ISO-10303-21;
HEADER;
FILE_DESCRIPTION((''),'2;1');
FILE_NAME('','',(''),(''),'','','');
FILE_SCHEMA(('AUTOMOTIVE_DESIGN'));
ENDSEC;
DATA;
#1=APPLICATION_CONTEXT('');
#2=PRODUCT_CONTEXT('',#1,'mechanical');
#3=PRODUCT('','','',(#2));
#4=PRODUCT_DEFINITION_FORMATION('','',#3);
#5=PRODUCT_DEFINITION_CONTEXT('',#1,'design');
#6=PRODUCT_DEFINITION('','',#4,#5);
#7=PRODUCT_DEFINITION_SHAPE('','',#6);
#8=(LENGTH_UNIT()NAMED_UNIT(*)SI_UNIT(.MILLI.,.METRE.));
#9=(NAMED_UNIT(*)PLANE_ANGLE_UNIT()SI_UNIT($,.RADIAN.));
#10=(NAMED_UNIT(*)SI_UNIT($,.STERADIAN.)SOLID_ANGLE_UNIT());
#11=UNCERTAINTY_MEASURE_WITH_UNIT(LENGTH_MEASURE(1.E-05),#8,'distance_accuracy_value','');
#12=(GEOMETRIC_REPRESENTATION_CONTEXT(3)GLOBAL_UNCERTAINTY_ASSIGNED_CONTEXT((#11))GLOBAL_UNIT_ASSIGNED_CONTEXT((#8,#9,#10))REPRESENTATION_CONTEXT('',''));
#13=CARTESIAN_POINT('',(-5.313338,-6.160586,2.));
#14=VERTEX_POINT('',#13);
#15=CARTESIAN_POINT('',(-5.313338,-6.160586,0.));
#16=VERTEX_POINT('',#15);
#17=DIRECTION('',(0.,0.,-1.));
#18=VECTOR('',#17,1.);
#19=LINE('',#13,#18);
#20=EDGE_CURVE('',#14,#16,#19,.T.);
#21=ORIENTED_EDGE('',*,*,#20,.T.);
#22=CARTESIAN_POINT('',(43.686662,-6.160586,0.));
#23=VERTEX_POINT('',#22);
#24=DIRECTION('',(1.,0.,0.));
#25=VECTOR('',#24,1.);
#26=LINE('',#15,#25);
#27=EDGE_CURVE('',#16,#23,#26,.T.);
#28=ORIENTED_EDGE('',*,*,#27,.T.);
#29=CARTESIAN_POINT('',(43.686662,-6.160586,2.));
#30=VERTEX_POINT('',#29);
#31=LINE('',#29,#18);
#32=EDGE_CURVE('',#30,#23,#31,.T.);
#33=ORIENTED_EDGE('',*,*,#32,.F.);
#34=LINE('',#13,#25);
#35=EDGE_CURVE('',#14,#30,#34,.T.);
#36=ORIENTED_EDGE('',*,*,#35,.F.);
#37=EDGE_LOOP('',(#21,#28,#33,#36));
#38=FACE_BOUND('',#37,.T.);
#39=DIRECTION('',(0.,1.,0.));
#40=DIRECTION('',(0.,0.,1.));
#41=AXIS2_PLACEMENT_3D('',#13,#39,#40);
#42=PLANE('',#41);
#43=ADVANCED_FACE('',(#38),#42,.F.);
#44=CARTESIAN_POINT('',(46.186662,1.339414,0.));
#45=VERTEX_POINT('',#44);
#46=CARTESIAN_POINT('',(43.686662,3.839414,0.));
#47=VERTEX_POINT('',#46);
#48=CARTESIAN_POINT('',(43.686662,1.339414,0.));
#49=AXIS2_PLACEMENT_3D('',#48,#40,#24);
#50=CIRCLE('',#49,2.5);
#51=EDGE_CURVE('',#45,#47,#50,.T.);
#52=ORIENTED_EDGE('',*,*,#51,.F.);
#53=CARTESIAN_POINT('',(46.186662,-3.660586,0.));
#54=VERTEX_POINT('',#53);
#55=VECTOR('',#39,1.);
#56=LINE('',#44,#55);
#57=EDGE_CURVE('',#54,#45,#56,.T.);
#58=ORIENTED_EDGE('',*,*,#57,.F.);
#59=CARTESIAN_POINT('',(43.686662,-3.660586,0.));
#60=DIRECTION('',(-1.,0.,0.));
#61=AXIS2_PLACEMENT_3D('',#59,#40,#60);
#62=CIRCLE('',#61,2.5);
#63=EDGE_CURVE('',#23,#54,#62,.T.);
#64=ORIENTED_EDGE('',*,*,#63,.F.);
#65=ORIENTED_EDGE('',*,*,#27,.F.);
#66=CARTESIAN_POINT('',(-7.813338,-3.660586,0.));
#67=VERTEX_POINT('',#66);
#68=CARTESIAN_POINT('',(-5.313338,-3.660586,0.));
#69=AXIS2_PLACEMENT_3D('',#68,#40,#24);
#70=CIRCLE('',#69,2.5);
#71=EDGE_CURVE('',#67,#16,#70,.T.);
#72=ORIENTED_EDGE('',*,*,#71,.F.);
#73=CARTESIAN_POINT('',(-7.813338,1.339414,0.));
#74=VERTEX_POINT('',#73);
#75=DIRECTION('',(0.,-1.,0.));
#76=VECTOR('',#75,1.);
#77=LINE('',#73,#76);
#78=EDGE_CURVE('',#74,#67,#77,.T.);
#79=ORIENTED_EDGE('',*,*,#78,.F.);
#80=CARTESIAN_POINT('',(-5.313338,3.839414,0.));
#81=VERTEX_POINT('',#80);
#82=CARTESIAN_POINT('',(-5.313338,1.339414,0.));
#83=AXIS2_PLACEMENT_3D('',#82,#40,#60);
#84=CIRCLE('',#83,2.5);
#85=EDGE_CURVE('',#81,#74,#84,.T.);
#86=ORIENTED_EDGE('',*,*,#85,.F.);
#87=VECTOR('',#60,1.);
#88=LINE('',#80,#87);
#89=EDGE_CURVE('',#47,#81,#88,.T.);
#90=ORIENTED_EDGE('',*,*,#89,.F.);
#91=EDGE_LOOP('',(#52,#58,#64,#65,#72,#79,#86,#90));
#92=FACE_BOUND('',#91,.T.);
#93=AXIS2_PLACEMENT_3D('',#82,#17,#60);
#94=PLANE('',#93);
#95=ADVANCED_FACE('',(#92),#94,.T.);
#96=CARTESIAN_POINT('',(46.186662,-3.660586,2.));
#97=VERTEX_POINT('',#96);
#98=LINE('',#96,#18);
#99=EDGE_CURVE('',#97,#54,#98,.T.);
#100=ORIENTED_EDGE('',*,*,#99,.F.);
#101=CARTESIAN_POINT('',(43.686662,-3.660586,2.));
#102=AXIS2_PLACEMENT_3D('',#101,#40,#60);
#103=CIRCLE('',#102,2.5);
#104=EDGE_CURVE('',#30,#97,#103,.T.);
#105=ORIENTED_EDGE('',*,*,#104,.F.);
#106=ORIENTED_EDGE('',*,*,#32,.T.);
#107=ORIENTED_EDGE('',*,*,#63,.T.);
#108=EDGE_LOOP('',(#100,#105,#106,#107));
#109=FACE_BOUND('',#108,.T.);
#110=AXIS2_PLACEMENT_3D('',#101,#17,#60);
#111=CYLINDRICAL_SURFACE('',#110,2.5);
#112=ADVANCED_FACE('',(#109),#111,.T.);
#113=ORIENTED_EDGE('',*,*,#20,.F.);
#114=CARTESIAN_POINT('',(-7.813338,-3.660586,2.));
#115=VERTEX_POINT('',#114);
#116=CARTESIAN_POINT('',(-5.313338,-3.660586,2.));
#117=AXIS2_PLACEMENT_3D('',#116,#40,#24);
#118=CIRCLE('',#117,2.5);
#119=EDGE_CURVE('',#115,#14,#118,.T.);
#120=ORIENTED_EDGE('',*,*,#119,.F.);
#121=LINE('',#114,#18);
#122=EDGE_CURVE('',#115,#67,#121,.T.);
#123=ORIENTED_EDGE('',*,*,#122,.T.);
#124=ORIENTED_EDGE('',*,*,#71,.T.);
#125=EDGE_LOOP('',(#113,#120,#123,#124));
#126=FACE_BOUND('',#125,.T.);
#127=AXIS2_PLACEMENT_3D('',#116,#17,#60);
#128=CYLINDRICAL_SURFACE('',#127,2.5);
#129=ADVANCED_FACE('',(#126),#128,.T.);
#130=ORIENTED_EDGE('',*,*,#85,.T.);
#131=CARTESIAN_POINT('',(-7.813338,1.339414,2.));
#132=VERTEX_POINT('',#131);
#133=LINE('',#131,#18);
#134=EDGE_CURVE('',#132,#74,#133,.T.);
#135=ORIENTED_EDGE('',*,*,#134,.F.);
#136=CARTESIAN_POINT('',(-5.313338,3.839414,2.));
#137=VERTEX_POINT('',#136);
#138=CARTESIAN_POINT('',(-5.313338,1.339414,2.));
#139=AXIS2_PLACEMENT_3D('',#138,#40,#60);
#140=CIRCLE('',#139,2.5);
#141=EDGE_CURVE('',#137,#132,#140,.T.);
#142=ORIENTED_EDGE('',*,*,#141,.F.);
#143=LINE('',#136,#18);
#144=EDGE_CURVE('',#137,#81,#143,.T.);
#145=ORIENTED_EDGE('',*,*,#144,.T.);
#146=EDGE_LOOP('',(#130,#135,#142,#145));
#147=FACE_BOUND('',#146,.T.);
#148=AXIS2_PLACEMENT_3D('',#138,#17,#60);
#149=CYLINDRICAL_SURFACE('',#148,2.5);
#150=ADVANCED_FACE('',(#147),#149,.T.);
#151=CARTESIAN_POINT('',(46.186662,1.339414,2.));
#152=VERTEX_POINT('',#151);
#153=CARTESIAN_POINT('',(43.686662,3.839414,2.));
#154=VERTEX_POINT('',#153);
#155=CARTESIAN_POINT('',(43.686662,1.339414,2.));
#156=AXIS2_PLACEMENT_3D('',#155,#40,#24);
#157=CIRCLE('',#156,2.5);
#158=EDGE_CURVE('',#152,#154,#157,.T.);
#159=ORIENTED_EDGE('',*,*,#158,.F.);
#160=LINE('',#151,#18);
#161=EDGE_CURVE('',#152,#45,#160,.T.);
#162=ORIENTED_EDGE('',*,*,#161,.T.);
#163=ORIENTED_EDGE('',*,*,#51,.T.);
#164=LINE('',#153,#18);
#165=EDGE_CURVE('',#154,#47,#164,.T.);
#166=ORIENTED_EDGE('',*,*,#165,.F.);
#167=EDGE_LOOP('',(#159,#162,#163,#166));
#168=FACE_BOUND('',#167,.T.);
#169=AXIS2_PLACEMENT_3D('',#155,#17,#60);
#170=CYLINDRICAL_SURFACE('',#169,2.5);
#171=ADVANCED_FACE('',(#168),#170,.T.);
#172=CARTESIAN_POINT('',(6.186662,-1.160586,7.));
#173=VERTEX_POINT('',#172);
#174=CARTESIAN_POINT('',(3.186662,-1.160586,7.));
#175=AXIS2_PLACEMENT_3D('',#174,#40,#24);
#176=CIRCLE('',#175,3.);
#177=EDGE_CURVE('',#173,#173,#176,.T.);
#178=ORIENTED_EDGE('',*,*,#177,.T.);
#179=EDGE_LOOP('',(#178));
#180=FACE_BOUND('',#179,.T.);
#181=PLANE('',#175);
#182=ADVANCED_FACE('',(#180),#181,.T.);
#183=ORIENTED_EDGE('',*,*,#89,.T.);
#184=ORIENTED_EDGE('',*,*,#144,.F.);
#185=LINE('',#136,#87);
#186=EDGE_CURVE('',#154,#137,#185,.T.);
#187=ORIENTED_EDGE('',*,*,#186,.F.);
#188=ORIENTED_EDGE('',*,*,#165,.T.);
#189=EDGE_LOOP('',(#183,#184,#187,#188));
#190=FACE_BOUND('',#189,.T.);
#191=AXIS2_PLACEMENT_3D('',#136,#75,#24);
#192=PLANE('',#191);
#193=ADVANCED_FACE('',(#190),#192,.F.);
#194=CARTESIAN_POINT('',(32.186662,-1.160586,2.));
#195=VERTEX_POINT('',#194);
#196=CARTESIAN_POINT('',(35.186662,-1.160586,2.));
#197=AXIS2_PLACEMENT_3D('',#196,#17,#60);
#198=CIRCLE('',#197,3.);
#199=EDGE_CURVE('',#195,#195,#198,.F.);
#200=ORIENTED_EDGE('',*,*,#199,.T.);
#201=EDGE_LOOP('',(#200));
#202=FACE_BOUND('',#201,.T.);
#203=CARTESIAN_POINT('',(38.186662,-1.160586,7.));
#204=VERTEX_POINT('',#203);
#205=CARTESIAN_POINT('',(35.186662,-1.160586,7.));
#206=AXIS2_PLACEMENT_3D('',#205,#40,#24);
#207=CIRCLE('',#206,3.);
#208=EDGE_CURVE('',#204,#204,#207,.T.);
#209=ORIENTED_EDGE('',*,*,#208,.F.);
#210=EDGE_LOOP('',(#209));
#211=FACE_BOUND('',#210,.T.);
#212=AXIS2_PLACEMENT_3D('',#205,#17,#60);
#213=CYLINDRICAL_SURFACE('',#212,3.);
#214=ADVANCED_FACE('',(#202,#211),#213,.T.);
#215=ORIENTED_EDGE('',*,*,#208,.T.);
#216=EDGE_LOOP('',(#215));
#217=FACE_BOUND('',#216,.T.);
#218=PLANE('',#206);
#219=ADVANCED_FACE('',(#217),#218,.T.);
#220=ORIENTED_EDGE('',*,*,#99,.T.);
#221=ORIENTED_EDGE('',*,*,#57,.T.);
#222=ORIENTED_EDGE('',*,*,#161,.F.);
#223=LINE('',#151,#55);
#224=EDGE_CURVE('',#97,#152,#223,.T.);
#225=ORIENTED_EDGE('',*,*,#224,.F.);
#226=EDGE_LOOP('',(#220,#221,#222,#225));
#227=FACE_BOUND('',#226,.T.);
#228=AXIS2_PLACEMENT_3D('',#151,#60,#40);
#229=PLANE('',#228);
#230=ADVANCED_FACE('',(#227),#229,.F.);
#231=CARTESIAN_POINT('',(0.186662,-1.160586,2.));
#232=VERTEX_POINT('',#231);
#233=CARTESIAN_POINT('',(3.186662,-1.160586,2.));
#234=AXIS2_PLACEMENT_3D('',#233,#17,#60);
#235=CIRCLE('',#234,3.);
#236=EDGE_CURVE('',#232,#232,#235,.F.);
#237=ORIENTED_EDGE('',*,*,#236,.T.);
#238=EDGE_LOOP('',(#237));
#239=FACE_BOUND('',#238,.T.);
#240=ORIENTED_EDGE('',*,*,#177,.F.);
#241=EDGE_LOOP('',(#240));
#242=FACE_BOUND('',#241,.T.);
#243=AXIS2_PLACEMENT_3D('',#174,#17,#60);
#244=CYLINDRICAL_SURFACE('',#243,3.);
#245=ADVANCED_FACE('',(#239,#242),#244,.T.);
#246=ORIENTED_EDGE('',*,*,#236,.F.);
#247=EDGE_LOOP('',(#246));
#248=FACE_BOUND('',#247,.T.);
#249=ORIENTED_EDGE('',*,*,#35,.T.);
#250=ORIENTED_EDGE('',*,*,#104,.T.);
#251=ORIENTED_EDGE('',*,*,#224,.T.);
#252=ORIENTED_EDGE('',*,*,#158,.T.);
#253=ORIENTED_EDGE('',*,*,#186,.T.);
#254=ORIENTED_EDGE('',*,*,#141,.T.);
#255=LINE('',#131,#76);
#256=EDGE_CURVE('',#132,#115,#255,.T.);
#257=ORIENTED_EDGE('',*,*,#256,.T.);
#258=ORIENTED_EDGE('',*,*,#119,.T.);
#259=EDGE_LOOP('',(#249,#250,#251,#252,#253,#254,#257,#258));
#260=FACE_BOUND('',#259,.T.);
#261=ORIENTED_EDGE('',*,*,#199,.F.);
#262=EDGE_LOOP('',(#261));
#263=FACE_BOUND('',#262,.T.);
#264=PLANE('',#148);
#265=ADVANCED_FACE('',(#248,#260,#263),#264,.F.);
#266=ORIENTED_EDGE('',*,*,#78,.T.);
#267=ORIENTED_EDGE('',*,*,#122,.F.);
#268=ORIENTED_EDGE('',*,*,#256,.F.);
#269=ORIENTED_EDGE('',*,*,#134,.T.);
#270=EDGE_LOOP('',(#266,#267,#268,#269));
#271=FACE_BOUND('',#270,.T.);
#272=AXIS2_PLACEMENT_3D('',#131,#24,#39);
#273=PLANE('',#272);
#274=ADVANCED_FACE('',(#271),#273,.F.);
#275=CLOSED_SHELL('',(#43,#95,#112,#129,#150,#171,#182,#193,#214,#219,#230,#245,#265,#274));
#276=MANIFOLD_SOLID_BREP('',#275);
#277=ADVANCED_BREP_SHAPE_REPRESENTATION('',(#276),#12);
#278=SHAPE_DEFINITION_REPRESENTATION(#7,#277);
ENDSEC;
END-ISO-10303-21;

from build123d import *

# Parameters (mm, degrees)
BOSS_EXTRUDE1_DEPTH = 2
SKETCH2_R           = 3
BOSS_EXTRUDE2_DEPTH = 5


with BuildPart() as part:
    # Sketch1 → Boss-Extrude1 (new body)
    with BuildSketch(Plane.XY):
        with BuildLine():
            Line((-5.313337951, 3.839414132), (43.686662049, 3.839414132))
            ThreePointArc((43.686662049, 3.839414132), (45.454429002, 3.107181085), (46.186662049, 1.339414132))
            Line((46.186662049, 1.339414132), (46.186662049, -3.660585868))
            ThreePointArc((46.186662049, -3.660585868), (45.454429002, -5.428352821), (43.686662049, -6.160585868))
            Line((43.686662049, -6.160585868), (-5.313337951, -6.160585868))
            ThreePointArc((-5.313337951, -6.160585868), (-7.081104904, -5.428352821), (-7.813337951, -3.660585868))
            Line((-7.813337951, -3.660585868), (-7.813337951, 1.339414132))
            ThreePointArc((-7.813337951, 1.339414132), (-7.081104904, 3.107181085), (-5.313337951, 3.839414132))
        make_face()
    extrude(amount=BOSS_EXTRUDE1_DEPTH)

    # Sketch2 → Boss-Extrude2 (add)
    with BuildSketch(Plane.XY.offset(2)):
        with Locations(Location((3.186662049, -1.160585868, 0), (0, 0, 180))):
            Circle(SKETCH2_R)
        with Locations(Location((35.186662049, -1.160585868, 0), (0, 0, 180))):
            Circle(SKETCH2_R)
    extrude(amount=BOSS_EXTRUDE2_DEPTH)


solid = part.part
